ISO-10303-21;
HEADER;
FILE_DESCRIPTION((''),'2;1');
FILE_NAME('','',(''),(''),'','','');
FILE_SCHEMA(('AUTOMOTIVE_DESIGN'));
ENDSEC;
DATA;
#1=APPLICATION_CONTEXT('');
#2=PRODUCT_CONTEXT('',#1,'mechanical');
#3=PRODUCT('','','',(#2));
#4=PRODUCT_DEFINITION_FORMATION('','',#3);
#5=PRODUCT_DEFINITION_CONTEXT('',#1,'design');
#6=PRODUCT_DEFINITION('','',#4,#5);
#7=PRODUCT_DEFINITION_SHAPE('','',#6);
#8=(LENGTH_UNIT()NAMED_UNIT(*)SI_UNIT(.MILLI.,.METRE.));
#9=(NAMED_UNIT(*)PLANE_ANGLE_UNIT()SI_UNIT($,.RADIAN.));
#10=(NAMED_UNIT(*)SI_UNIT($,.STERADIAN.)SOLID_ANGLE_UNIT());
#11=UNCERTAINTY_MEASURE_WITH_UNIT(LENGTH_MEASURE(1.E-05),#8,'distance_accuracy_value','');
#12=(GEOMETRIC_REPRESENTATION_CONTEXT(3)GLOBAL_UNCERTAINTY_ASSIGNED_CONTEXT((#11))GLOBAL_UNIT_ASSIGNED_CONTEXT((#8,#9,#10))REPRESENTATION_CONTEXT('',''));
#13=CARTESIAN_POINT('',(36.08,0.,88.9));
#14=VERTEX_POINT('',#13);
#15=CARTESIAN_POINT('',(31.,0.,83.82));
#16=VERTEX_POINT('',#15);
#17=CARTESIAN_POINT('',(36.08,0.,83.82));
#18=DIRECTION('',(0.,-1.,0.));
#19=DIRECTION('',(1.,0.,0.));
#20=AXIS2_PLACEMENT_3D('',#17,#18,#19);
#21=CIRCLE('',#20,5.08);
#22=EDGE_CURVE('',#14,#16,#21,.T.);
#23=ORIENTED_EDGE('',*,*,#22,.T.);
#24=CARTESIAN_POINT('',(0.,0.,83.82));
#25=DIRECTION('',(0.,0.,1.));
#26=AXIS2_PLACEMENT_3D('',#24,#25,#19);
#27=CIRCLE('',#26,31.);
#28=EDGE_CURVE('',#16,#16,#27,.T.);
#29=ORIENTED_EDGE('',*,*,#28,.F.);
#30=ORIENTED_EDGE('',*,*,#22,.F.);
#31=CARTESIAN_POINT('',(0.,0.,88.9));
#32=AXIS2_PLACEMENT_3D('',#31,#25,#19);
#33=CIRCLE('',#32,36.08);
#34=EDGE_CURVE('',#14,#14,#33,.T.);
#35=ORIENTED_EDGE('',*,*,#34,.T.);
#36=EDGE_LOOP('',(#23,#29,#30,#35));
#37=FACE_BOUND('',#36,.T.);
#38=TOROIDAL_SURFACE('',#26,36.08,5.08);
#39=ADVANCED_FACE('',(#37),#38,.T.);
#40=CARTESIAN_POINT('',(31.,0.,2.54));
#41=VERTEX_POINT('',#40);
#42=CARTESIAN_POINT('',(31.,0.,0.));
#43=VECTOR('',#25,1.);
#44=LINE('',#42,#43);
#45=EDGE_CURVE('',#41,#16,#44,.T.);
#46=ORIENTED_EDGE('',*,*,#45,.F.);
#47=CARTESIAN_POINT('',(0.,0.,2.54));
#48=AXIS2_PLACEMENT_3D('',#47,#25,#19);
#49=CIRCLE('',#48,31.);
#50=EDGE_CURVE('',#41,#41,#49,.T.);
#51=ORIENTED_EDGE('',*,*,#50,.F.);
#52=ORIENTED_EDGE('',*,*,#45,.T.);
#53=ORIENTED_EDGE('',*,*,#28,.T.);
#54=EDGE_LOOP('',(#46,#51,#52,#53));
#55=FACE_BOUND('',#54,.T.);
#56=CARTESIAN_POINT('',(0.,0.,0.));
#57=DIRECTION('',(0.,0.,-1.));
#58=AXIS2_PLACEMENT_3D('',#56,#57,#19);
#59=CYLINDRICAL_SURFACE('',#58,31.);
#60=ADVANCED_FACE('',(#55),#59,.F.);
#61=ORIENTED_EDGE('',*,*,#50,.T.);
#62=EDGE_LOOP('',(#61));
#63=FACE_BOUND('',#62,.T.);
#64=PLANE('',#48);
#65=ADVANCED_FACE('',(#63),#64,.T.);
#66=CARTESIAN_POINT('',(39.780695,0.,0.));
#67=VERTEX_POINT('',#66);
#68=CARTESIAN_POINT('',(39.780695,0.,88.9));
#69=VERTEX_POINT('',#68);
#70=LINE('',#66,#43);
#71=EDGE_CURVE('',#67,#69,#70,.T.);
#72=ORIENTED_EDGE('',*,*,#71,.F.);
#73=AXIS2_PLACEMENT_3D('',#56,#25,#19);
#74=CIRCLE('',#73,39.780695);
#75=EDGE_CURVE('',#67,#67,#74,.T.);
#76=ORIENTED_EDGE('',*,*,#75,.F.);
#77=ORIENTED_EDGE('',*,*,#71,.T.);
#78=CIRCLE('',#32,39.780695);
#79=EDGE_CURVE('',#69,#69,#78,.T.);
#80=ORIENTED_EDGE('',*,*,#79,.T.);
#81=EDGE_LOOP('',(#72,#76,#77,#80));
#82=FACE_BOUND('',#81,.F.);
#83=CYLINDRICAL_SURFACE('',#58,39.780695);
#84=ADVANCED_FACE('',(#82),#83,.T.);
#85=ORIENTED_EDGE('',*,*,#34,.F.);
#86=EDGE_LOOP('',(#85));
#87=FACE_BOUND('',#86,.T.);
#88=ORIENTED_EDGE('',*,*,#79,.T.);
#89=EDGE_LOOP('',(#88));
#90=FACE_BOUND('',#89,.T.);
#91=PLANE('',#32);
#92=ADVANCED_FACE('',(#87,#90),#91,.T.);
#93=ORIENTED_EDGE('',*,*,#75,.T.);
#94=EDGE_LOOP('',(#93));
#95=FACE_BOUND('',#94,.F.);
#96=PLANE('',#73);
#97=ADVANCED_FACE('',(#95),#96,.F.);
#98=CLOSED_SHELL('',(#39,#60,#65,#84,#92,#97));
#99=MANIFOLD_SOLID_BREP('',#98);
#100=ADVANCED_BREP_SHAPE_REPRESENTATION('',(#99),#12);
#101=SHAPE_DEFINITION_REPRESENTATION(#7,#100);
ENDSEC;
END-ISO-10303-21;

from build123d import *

# Parameters (mm, degrees)
F0_R     = 39.780695
F0_R_2   = 31
F1_DEPTH = 88.9
F2_DEPTH = 2.54
F3_R     = 5.08


with BuildPart() as f1:
    # F0 (on Top) → F1 (new body)
    with BuildSketch(Plane.XY):
        Circle(F0_R)
        Circle(F0_R_2, mode=Mode.SUBTRACT)
    extrude(amount=F1_DEPTH)

    # F0 (on Top) → F2 (join)
    with BuildSketch(Plane.XY):
        Circle(F0_R_2)
    extrude(amount=F2_DEPTH)

    # F3
    f3_edges = [f1.edges().sort_by_distance(p)[0] for p in [
        (-31, 0, 88.9),
    ]]
    fillet(f3_edges, radius=F3_R)


solid = f1.part
